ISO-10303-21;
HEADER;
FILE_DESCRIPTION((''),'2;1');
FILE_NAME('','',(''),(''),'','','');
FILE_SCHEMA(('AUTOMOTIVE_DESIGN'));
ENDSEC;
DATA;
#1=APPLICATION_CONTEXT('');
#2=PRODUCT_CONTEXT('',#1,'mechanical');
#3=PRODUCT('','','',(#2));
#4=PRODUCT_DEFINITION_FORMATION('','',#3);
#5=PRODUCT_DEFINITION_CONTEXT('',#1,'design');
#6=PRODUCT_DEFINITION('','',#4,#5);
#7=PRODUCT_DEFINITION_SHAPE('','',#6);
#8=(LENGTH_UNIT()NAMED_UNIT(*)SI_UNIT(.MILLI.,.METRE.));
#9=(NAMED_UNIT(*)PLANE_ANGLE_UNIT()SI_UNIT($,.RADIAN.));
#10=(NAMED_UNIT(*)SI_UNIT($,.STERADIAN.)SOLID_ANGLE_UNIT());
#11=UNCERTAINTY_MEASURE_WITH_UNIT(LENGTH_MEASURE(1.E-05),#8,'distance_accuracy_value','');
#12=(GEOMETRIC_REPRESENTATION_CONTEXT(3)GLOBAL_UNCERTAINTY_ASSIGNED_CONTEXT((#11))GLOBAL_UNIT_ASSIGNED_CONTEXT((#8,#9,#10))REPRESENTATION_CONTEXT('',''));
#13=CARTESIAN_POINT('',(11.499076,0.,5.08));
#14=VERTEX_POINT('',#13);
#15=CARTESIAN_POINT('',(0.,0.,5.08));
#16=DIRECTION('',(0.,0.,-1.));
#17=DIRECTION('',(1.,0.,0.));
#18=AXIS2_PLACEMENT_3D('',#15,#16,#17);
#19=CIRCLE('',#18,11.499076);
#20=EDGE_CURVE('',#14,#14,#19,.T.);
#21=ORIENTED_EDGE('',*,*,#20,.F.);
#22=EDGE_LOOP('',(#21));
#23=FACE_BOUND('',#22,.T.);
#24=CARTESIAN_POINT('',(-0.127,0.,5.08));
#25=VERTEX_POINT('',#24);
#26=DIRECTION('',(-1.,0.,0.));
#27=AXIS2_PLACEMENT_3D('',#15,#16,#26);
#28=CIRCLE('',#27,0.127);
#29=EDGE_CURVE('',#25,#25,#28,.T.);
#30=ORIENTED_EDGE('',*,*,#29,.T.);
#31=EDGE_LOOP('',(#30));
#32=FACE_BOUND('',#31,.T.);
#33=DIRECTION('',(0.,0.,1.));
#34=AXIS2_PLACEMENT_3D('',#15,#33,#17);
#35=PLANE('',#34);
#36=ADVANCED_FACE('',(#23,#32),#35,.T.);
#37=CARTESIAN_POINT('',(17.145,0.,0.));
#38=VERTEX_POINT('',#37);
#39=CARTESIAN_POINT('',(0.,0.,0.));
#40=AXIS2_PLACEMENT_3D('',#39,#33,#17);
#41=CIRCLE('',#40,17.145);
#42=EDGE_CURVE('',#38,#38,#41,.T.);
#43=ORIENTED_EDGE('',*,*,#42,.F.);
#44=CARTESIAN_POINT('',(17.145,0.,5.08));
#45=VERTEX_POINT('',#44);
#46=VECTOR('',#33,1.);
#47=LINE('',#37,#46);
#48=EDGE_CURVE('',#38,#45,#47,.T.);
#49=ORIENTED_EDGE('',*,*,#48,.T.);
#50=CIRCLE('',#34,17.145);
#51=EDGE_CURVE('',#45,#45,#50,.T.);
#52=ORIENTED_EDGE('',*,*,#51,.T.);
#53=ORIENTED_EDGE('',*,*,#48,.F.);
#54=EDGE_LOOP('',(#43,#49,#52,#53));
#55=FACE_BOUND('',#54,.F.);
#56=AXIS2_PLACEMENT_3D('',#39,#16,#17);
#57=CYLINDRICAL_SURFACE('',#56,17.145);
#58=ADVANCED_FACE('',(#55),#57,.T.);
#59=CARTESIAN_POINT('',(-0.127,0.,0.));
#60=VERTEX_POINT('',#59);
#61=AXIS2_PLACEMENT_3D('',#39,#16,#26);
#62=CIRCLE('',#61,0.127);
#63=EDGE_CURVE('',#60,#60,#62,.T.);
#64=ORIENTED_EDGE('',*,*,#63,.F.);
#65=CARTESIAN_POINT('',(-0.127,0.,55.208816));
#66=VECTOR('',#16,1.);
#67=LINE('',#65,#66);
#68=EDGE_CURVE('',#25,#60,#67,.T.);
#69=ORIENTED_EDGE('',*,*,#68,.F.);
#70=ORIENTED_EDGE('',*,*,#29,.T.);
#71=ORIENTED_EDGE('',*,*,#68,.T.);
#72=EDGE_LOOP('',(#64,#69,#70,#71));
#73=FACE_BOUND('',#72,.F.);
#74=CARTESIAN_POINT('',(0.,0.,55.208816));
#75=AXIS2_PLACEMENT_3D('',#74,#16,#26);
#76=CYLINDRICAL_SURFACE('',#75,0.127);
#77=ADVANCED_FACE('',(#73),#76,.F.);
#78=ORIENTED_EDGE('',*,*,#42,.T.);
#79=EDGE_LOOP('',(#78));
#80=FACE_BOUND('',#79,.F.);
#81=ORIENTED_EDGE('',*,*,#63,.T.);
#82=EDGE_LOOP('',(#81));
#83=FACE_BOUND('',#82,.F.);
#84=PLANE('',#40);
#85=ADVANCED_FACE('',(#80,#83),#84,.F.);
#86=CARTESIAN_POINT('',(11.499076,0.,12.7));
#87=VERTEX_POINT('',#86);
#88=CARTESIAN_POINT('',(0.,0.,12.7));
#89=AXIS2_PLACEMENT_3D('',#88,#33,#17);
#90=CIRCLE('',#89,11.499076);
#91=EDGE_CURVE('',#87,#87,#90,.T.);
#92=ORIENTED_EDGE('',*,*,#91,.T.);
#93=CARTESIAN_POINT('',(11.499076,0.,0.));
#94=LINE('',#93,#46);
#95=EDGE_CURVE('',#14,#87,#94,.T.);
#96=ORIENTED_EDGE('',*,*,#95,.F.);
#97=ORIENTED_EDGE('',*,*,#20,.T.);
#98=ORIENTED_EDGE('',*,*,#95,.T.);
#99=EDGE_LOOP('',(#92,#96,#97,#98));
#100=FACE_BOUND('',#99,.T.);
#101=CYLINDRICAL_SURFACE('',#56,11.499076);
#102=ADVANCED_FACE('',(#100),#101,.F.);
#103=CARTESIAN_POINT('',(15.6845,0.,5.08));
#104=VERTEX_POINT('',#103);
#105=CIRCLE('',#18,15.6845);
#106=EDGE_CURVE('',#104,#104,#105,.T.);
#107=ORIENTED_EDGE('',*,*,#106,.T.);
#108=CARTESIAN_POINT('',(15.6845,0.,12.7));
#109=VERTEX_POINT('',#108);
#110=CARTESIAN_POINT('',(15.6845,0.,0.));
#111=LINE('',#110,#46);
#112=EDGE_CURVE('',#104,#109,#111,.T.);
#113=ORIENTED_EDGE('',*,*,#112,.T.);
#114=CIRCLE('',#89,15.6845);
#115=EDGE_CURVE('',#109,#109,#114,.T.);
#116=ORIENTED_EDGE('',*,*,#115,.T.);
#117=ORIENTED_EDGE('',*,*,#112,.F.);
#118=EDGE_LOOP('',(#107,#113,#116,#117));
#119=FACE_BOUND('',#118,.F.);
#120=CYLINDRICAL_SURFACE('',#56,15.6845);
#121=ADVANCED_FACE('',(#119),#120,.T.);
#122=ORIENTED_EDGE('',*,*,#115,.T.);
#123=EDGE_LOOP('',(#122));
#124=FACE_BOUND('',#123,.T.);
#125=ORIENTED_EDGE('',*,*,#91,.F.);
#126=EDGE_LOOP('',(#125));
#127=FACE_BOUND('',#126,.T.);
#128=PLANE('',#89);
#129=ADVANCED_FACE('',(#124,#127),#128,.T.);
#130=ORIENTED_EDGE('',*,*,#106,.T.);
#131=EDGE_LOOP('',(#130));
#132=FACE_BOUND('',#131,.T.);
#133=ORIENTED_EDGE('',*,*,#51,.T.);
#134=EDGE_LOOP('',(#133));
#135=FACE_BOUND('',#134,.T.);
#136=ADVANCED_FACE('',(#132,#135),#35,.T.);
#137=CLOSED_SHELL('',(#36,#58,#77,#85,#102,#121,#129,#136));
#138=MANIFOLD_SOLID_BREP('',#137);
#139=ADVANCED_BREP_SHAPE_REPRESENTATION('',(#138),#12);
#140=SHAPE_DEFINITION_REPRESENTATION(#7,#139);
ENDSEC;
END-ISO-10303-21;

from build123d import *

# Parameters (mm, degrees)
F0_R     = 15.6845
F0_R_2   = 11.499076
F1_DEPTH = 12.7
F2_R     = 17.145
F3_DEPTH = 5.08
F5_D     = 0.254


with BuildPart() as f1:
    # F0 (on Top) → F1 (new body)
    with BuildSketch(Plane.XY):
        Circle(F0_R)
        Circle(F0_R_2, mode=Mode.SUBTRACT)
    extrude(amount=F1_DEPTH)

    # F2 (on Top) → F3 (join)
    with BuildSketch(Plane.XY):
        Circle(F2_R)
    extrude(amount=F3_DEPTH)

    # F5 (through all)
    with Locations(Plane.XY.offset(5.08)):
        with Locations((0, 0)):
            Hole(F5_D / 2)


solid = f1.part
